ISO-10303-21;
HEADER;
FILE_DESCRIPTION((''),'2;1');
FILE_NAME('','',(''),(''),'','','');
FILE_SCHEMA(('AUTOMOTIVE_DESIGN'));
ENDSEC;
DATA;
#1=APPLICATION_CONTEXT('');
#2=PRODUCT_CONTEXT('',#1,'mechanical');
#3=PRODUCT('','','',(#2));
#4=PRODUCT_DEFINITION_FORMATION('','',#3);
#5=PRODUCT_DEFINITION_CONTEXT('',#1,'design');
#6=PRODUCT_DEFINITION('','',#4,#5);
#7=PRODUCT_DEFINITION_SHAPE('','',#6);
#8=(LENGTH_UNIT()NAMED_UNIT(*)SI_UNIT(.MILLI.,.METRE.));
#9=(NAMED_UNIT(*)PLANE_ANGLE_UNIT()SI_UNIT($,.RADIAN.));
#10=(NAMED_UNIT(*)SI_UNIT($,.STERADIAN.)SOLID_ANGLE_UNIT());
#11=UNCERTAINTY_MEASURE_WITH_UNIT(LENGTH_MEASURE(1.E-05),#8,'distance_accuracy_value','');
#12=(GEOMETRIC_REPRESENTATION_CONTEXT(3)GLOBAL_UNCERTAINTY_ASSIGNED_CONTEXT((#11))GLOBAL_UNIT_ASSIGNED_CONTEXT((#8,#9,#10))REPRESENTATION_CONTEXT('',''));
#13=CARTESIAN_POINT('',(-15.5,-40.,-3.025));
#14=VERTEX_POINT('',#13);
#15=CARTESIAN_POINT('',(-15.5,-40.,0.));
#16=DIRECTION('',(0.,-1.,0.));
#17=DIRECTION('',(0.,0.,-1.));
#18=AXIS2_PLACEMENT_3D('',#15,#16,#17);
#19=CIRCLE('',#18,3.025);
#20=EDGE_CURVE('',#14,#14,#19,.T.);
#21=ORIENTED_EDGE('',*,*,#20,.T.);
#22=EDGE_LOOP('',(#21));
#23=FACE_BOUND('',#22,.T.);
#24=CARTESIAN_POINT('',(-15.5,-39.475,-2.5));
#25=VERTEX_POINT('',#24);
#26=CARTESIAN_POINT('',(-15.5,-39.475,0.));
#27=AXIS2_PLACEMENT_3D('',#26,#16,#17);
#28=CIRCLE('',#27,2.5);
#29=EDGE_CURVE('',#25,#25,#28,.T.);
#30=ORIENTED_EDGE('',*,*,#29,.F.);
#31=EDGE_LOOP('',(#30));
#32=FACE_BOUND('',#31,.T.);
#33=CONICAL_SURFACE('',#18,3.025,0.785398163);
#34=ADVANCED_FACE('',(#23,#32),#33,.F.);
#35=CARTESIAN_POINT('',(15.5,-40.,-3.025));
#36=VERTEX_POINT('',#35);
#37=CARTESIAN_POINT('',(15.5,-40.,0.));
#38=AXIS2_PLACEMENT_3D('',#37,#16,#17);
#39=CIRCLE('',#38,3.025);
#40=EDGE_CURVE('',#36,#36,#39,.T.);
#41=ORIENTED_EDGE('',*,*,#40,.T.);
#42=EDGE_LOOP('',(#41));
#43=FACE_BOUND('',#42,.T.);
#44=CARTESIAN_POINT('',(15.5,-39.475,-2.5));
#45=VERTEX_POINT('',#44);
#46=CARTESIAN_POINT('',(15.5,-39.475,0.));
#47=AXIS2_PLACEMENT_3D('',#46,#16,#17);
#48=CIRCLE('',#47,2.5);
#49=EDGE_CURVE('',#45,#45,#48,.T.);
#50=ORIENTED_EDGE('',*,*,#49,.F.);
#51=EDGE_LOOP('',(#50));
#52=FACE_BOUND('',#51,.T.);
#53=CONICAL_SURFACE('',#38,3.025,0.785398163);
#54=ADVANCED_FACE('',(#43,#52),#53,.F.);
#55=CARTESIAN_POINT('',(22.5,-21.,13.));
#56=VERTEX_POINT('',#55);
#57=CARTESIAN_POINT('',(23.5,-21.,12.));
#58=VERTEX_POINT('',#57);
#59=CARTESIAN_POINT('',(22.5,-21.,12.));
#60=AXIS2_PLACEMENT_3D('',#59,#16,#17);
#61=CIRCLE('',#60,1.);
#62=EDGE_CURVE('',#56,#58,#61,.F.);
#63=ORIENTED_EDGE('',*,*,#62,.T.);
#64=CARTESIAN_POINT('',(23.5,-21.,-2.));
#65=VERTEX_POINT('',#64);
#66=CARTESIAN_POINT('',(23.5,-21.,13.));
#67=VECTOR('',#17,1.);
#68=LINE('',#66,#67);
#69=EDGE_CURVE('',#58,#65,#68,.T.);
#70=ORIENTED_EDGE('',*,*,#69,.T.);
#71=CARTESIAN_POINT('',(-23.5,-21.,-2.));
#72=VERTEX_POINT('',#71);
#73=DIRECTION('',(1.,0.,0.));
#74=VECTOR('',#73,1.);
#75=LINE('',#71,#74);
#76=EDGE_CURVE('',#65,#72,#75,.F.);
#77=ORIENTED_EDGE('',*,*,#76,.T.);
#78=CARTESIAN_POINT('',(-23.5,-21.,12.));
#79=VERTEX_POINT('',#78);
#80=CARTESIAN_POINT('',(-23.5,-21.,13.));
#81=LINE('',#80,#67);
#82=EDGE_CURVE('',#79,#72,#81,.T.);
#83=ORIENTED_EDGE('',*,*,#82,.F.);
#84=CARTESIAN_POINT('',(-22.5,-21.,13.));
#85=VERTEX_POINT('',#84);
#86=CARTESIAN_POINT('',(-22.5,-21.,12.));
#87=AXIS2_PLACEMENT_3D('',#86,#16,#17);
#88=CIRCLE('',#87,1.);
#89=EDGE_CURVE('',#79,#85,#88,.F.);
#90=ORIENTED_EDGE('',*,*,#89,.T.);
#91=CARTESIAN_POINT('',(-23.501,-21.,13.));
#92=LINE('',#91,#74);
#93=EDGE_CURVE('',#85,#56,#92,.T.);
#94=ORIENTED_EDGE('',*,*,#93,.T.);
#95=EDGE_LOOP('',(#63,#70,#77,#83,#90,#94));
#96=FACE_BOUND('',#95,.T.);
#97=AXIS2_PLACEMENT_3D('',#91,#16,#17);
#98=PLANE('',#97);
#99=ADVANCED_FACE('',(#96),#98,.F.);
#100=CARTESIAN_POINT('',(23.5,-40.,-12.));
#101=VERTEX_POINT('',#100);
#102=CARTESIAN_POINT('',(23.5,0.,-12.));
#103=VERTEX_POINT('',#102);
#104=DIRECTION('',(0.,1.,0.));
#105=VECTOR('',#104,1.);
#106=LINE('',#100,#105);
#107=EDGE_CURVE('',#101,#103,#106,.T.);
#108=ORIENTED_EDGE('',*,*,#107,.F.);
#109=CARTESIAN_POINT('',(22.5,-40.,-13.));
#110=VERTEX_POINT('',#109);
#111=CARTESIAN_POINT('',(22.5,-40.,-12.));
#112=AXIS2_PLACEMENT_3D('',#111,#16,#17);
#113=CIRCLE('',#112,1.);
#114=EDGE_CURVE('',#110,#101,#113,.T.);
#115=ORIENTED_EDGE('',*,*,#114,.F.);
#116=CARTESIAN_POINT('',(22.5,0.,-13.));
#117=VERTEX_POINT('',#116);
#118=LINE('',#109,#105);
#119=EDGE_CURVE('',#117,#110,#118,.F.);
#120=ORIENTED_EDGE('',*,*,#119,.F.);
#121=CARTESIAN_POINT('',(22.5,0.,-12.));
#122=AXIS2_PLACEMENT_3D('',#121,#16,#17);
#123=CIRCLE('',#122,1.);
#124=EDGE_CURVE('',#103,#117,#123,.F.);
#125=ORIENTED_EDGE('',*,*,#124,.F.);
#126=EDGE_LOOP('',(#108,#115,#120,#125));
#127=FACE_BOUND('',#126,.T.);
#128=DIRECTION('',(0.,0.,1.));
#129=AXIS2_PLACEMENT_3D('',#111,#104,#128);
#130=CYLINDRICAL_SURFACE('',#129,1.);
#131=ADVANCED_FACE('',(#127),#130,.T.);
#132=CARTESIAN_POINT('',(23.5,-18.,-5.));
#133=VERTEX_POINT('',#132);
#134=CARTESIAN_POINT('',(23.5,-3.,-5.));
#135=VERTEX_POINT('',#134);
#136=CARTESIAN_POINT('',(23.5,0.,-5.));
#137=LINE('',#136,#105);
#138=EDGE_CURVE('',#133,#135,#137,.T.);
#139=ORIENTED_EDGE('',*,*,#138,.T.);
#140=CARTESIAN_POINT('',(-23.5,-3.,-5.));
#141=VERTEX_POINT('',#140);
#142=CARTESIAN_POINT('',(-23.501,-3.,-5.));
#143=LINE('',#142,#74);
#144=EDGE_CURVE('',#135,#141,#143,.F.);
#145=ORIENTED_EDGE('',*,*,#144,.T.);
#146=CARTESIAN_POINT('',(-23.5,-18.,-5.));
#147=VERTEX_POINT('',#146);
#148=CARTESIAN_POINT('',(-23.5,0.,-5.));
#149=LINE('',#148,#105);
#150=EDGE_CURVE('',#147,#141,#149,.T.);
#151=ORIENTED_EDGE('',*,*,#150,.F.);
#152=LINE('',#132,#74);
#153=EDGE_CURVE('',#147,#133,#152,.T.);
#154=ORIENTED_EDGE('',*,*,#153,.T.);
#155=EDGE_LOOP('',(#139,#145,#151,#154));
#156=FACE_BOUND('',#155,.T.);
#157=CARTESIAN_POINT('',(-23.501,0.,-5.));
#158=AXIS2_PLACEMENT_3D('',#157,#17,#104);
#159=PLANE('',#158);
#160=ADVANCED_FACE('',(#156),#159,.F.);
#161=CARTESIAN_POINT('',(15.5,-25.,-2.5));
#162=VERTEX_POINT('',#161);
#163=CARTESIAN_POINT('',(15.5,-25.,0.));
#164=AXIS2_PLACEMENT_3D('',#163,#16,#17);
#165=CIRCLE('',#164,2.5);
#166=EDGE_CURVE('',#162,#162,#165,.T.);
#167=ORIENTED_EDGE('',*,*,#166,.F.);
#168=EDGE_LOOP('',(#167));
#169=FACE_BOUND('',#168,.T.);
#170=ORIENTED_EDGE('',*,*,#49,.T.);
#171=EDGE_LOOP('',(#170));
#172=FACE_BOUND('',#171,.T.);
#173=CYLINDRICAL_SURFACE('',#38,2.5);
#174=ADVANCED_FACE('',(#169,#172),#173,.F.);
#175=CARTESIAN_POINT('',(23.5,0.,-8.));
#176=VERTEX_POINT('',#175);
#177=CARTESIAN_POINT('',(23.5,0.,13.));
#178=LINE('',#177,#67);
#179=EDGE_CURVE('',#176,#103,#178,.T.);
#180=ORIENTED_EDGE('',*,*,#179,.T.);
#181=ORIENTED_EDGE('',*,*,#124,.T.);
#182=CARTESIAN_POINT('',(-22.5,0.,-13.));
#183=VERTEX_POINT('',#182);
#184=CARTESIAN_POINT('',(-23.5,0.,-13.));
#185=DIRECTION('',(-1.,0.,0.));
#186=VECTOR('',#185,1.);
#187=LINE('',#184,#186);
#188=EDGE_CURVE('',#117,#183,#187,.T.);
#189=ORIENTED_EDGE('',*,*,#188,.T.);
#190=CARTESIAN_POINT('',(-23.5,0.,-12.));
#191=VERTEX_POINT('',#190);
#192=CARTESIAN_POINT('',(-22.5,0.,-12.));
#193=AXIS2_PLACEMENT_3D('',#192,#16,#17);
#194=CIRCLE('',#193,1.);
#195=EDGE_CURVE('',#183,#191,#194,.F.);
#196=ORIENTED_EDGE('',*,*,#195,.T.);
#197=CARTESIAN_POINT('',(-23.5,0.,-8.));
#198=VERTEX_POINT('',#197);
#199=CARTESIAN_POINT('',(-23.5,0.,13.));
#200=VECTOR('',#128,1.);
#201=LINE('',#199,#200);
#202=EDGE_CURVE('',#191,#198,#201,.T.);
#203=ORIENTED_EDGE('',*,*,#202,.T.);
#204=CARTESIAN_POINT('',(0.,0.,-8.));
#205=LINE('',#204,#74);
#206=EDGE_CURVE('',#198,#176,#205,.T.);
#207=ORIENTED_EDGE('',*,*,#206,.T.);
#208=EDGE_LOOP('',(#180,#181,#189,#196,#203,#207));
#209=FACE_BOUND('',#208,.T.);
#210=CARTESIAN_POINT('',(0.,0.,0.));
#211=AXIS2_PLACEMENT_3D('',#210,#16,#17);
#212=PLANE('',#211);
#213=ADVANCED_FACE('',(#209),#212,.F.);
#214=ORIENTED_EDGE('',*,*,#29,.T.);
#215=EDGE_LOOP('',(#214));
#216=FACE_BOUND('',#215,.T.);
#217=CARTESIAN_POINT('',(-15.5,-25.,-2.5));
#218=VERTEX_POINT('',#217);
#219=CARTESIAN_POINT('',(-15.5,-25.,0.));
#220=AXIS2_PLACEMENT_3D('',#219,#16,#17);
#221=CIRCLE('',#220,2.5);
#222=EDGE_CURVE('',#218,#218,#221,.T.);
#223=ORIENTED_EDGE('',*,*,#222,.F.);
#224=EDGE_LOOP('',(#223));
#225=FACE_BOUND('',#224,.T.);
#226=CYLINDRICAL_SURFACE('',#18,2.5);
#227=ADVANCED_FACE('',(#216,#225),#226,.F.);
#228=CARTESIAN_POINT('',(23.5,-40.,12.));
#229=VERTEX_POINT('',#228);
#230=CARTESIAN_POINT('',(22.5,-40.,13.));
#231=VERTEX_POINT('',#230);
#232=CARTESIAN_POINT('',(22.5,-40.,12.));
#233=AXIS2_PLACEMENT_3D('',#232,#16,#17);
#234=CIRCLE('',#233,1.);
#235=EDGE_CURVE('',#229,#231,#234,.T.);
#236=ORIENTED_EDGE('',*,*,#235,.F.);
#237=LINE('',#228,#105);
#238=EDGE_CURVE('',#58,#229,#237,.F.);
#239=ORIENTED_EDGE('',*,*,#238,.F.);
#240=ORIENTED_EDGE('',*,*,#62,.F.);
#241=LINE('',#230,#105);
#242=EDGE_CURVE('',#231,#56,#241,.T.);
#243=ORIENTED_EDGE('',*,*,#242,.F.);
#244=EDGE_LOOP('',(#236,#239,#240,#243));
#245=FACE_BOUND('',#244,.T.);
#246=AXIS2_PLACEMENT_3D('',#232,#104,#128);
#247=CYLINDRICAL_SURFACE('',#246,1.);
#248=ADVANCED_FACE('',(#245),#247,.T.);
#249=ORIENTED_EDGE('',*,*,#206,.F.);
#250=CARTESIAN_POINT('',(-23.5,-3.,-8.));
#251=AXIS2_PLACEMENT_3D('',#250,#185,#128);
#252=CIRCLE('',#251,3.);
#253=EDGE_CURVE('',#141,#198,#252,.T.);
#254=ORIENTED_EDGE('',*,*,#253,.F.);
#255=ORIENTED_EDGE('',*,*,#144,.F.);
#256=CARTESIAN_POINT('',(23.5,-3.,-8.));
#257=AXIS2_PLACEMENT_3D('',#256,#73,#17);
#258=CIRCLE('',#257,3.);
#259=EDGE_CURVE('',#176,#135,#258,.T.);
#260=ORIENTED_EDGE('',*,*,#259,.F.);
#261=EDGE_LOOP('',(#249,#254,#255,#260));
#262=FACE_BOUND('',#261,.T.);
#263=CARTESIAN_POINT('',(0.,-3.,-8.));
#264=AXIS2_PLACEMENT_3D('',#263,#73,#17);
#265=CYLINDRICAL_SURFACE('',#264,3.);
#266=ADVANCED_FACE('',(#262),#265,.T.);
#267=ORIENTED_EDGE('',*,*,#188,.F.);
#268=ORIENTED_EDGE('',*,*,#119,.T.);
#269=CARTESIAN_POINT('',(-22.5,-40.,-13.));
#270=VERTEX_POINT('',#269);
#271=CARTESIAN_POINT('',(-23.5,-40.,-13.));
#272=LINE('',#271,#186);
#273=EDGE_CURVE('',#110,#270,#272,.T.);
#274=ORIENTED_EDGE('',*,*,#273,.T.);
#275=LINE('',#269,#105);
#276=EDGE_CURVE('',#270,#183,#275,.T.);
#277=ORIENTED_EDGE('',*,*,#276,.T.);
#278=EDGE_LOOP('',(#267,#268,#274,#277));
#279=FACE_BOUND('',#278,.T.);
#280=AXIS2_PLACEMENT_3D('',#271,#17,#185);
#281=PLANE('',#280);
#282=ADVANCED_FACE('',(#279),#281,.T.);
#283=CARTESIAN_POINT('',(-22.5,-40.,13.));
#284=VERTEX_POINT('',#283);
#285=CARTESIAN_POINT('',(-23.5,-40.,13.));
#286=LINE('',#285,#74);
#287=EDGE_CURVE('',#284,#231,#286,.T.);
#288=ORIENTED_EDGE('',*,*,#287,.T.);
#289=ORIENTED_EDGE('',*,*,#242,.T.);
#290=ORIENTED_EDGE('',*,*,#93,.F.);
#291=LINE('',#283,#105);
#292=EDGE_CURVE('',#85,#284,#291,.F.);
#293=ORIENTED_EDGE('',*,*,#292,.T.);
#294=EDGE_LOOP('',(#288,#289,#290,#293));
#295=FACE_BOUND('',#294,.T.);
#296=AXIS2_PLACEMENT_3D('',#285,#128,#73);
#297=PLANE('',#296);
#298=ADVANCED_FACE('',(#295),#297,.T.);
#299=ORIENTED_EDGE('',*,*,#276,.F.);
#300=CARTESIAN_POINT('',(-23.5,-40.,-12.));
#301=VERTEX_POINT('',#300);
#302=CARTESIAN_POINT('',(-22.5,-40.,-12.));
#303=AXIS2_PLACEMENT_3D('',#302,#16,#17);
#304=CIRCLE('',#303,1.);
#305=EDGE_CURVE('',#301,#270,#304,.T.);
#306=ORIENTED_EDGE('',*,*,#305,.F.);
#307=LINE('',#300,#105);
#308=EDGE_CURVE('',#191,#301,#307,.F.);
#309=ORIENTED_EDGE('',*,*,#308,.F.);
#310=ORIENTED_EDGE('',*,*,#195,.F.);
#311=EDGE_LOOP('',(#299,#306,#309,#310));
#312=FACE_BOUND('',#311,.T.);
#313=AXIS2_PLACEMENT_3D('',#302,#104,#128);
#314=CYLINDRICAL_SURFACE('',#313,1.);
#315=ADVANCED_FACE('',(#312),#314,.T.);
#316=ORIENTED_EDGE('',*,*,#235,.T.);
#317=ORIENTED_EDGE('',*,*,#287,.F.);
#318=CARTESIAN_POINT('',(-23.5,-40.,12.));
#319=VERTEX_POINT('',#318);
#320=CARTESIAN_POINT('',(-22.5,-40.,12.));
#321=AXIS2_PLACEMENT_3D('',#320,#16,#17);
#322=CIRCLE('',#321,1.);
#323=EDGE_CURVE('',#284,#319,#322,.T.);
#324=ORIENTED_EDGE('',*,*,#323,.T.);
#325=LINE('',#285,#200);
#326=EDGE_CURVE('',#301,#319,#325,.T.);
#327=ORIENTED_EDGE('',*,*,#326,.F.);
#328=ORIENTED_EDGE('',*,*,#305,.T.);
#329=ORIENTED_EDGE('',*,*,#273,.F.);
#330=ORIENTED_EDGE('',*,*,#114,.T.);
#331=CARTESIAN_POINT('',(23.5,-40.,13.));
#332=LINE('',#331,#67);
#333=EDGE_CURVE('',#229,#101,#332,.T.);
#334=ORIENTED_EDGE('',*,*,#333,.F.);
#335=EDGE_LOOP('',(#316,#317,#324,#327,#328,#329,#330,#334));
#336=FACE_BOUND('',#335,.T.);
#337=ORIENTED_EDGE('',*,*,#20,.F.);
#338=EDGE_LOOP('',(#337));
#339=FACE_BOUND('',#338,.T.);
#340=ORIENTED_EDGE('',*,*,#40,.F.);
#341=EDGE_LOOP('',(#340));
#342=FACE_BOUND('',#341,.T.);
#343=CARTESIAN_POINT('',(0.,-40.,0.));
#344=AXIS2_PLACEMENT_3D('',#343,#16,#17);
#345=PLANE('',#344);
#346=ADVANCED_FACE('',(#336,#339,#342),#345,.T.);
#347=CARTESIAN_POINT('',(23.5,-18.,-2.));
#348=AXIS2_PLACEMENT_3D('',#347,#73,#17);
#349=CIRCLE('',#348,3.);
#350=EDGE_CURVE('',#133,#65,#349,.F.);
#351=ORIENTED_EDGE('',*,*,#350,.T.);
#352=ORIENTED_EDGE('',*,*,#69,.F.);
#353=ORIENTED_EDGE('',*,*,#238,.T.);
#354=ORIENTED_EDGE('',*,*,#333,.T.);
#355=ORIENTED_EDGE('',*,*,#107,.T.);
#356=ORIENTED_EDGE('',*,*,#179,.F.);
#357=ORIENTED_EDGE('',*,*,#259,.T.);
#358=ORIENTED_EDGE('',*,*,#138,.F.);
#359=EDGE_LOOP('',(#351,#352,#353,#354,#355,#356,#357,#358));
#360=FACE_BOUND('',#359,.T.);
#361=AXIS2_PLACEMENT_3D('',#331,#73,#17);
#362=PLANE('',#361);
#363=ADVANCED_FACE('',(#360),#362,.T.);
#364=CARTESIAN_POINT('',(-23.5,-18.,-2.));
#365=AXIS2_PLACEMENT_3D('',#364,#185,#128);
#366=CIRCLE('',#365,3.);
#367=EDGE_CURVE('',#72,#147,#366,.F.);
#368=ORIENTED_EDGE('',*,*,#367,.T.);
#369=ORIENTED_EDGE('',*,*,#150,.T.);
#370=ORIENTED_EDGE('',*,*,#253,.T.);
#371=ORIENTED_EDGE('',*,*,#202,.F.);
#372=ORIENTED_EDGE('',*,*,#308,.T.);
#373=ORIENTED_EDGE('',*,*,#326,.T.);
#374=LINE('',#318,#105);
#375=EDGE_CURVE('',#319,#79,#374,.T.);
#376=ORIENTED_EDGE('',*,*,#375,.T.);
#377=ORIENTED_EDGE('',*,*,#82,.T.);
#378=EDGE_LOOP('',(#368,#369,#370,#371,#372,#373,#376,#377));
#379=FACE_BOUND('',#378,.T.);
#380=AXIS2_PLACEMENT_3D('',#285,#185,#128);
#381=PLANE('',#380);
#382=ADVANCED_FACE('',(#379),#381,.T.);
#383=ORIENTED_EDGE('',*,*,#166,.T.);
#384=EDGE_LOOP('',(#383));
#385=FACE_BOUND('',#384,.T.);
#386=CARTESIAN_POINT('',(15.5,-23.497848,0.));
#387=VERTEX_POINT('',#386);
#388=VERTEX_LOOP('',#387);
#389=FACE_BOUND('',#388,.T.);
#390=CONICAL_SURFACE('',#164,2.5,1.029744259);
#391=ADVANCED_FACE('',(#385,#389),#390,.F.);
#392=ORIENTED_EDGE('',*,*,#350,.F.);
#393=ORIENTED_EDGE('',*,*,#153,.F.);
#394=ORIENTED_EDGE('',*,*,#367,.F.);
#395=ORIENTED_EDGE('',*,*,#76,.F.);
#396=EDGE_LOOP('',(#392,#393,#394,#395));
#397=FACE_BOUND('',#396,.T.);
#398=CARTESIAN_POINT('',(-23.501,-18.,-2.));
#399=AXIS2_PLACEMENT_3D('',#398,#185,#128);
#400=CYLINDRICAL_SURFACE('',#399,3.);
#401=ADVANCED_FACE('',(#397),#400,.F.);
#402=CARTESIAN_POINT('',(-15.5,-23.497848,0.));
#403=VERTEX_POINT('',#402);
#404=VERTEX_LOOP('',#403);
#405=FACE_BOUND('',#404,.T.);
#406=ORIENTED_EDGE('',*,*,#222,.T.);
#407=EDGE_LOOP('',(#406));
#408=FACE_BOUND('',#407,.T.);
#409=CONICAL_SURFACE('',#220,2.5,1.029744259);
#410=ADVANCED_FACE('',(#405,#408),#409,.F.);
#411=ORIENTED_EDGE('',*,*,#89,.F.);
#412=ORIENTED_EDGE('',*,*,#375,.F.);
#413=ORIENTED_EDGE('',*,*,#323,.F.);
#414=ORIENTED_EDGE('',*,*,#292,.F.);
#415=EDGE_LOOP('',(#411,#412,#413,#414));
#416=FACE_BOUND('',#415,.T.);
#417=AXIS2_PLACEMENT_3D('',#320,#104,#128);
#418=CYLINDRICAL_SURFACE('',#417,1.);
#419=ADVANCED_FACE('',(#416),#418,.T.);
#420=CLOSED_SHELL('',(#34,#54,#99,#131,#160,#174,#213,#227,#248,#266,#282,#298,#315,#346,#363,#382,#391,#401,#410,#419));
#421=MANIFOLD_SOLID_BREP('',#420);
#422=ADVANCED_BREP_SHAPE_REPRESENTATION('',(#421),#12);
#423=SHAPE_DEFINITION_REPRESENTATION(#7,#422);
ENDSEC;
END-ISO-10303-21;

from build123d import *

# Parameters (mm, degrees)
SKETCH1_W                   = 47
SKETCH1_H                   = 26
BOSS_EXTRUDE1_DEPTH         = 40
CUT_EXTRUDE1_REACH          = 65.071
SKETCH2_W                   = 18
SKETCH2_H                   = 21
FILLET1_R                   = 3
M6_TAPPED_HOLE1_D           = 5
M6_TAPPED_HOLE1_DEPTH       = 15
M6_TAPPED_HOLE1_CSINK_D     = 6.05
M6_TAPPED_HOLE1_CSINK_ANGLE = 90
M6_TAPPED_HOLE1_TIP         = 1.502151548
FILLET2_R                   = 1


with BuildPart() as part:
    # Sketch1 → Boss-Extrude1 (new body)
    with BuildSketch(Plane(origin=(0, 0, 0), x_dir=(1, 0, 0), z_dir=(0, 1, 0))):
        Rectangle(SKETCH1_W, SKETCH1_H)
    extrude(amount=-BOSS_EXTRUDE1_DEPTH)

    # Sketch2 → Cut-Extrude1 (cut, up to next)
    with BuildSketch(Plane(origin=(23.5, 0, 0), x_dir=(0, 0, -1), z_dir=(1, 0, 0)), mode=Mode.PRIVATE) as cut_extrude1_sk1:
        with Locations((-4, -10.5)):
            Rectangle(SKETCH2_W, SKETCH2_H)
    cut_extrude1_tool1 = extrude(cut_extrude1_sk1.sketch, amount=-CUT_EXTRUDE1_REACH, mode=Mode.PRIVATE) & part.part
    add(cut_extrude1_tool1.solids().sort_by_distance((23.5, -10.5, 4))[0], mode=Mode.SUBTRACT)

    # Fillet1
    fillet1_edges = [part.edges().sort_by_distance(p)[0] for p in [
        (0, 0, -5),
        (0, -21, -5),
    ]]
    fillet(fillet1_edges, radius=FILLET1_R)

    # M6 Tapped Hole1
    with Locations(Plane(origin=(0, -40, 0), x_dir=(-1, 0, 0), z_dir=(0, -1, 0))):
        with Locations((-15.5, 0), (15.5, 0)):
            CounterSinkHole(M6_TAPPED_HOLE1_D / 2, M6_TAPPED_HOLE1_CSINK_D / 2, depth=M6_TAPPED_HOLE1_DEPTH, counter_sink_angle=M6_TAPPED_HOLE1_CSINK_ANGLE)
            with Locations((0, 0, -(M6_TAPPED_HOLE1_DEPTH + M6_TAPPED_HOLE1_TIP / 2))):  # 118° drill point
                Cone(0, M6_TAPPED_HOLE1_D / 2, M6_TAPPED_HOLE1_TIP, mode=Mode.SUBTRACT)

    # Fillet2
    fillet2_edges = [part.edges().sort_by_distance(p)[0] for p in [
        (23.5, -30.5, 13),
        (-23.5, -30.5, 13),
        (-23.5, -20, -13),
        (23.5, -20, -13),
    ]]
    fillet(fillet2_edges, radius=FILLET2_R)


solid = part.part
